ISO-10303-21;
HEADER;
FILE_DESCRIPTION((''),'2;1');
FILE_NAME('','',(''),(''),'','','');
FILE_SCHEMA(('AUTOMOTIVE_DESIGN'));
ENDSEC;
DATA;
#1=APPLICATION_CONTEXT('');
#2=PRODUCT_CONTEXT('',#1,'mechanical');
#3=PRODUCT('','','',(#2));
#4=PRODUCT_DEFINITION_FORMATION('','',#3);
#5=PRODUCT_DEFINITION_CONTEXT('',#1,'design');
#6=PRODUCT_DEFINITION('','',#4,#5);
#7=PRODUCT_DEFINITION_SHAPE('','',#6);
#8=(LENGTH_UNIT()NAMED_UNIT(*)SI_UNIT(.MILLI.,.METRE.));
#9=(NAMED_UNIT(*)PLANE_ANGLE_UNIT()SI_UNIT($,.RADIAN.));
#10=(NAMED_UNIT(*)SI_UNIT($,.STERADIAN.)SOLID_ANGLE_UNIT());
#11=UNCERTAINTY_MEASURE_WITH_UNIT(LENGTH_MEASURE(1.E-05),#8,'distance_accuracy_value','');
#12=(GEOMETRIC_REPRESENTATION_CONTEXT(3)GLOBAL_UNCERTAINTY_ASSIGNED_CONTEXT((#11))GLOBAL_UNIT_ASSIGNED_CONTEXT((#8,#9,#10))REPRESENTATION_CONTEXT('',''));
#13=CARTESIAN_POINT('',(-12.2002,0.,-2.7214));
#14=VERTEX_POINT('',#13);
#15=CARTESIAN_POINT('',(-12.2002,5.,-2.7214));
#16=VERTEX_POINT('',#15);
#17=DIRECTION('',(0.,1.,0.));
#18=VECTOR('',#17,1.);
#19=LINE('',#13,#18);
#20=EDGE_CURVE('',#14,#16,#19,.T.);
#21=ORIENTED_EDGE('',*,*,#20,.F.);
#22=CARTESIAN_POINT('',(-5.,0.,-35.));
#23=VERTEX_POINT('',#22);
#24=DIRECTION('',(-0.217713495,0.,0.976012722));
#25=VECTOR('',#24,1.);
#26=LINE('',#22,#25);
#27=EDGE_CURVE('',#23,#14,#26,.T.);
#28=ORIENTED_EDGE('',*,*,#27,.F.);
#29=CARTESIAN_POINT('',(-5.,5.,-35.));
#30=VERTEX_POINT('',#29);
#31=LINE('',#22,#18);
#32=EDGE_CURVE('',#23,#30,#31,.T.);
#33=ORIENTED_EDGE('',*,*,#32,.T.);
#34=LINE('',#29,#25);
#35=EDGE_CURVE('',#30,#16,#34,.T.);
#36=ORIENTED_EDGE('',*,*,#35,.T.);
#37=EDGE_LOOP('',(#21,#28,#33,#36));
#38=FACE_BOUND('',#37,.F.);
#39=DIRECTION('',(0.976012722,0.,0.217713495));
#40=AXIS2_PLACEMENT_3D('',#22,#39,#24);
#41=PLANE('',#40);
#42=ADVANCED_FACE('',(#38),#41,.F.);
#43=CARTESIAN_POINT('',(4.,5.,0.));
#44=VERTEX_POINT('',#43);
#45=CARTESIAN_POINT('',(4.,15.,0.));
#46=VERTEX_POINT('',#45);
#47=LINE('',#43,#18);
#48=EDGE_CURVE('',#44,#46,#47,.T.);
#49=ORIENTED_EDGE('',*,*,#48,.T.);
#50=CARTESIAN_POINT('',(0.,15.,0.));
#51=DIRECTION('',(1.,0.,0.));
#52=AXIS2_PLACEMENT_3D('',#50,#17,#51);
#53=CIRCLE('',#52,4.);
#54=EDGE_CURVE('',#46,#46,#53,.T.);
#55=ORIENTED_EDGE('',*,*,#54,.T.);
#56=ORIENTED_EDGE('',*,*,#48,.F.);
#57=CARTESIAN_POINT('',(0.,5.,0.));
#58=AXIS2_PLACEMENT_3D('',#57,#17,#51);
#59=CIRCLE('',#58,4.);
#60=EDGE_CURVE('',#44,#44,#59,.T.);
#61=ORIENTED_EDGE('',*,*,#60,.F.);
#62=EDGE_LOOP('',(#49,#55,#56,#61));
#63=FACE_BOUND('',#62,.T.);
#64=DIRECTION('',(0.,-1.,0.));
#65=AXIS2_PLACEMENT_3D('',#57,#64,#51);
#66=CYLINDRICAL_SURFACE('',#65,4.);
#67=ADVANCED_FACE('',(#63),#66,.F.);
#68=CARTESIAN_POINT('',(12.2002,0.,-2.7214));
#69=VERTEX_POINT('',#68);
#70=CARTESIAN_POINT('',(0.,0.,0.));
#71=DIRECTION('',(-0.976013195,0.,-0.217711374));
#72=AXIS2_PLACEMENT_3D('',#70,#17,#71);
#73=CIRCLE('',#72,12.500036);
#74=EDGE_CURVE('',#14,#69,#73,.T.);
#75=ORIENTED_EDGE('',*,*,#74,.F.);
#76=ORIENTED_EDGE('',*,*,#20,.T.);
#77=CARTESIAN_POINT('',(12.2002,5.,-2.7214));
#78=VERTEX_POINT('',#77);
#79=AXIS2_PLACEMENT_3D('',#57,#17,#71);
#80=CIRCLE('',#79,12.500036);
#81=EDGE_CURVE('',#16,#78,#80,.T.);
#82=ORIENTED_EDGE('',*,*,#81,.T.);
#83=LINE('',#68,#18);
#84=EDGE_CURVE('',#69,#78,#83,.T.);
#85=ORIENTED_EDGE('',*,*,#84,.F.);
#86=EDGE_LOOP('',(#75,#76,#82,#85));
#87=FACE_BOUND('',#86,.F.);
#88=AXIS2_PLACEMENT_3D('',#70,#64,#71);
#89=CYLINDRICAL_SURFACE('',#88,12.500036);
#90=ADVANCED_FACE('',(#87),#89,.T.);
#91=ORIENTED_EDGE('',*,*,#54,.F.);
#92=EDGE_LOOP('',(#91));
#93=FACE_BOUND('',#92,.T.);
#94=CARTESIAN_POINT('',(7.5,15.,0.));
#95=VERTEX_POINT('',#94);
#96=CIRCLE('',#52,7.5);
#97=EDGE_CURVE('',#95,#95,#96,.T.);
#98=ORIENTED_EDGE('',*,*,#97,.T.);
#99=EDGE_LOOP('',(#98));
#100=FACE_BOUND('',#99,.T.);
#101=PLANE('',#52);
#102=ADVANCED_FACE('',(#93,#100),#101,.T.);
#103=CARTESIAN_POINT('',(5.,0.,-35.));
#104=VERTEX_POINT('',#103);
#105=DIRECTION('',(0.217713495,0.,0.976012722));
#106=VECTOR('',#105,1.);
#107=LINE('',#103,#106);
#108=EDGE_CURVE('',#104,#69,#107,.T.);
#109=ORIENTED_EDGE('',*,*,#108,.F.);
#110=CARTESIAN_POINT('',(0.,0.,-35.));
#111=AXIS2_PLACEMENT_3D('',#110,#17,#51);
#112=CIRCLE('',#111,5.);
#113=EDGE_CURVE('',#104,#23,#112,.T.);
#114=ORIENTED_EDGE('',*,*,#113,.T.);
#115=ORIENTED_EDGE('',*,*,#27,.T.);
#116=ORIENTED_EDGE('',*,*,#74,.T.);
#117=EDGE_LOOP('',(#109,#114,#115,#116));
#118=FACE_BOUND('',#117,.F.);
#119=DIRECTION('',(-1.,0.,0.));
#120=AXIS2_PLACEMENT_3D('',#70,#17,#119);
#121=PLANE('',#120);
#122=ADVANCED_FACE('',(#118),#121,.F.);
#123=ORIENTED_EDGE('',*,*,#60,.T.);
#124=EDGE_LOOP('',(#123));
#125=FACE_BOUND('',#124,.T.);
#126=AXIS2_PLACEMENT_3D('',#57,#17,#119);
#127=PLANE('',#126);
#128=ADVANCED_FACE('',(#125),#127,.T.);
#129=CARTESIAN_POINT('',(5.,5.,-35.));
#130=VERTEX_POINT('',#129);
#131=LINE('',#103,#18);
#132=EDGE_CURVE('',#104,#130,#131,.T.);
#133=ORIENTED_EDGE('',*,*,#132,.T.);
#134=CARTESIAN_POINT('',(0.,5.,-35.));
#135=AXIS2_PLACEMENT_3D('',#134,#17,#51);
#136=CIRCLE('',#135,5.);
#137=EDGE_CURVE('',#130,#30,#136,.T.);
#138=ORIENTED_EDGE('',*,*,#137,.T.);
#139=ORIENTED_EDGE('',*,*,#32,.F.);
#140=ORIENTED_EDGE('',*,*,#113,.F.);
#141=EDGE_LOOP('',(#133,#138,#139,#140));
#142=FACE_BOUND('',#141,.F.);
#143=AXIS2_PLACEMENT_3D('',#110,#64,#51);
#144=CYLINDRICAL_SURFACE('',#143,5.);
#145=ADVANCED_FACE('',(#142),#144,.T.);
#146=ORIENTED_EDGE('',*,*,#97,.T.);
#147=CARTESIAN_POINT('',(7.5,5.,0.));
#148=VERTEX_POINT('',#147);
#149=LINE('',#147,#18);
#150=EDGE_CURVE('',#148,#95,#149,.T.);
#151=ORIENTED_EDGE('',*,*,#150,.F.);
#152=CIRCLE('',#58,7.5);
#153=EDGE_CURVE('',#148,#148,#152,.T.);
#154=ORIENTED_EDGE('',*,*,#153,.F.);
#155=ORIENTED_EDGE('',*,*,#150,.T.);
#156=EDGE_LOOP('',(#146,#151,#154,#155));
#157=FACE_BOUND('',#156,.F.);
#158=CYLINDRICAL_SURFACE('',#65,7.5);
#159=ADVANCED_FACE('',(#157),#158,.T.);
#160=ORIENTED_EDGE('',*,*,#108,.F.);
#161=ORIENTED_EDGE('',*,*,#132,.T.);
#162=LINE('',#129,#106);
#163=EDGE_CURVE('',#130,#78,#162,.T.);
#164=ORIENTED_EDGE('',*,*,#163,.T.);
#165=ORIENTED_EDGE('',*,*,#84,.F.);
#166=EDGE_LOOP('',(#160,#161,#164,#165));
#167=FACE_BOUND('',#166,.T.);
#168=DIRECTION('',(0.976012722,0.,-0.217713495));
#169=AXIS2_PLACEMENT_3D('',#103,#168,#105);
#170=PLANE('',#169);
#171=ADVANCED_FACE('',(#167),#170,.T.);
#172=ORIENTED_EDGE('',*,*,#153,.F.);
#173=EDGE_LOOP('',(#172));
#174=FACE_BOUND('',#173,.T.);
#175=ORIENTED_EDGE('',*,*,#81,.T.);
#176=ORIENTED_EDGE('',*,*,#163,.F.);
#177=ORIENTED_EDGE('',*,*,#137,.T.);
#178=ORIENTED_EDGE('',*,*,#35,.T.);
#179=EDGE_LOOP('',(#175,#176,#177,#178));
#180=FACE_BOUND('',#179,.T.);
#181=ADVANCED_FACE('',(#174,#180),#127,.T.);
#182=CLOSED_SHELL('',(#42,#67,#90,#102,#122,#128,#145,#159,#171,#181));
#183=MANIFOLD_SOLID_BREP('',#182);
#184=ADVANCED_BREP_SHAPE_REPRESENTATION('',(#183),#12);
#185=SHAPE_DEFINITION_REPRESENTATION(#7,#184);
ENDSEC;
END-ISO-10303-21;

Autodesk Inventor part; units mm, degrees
ref_plane "YZ Plane" through (0, 0, 0) normal (1, 0, 0) x (0, 1, 0)
ref_plane "XZ Plane" through (0, 0, 0) normal (0, 1, 0) x (-1, 0, 0)
ref_plane "XY Plane" through (0, 0, 0) normal (0, 0, 1) x (1, 0, 0)
sketch "Sketch1" plane through (0, 0, 0) normal (0, 1, 0) x (-1, 0, 0)
  point P0 (0, 0)
sketch "Sketch2" plane through (0, 0, 0) normal (0, 1, 0) x (-1, 0, 0)
  arc A0 (12.2002, -2.7214) -> (-12.2002, -2.7214) centre (0, 0) ccw
  arc A1 (-5, -35) -> (5, -35) centre (0, -35) ccw
  line L0 (5, -35) -> (12.2002, -2.7214)
  line L1 (-5, -35) -> (-12.2002, -2.7214)
  line L2 (0, 0) -> (0, -12.5)
  line L3 (0, -30) -> (0, -35)
  dimension "d0" = 25
  dimension "d1" = 35
  dimension "d2" = 10
extrude "Extrusion1" add sketch "Sketch2" along normal blind 5
sketch "Sketch3" plane through (0, 5, 0) normal (0, 1, 0) x (1, 0, 0)
  circle A0 centre (0, 0) radius 4
  circle A1 centre (0, 0) radius 7.5
  dimension "d5" = 8
  dimension "d6" = 15
extrude "Extrusion2" add sketch "Sketch3" along normal blind 10
properties part number "connector1"
